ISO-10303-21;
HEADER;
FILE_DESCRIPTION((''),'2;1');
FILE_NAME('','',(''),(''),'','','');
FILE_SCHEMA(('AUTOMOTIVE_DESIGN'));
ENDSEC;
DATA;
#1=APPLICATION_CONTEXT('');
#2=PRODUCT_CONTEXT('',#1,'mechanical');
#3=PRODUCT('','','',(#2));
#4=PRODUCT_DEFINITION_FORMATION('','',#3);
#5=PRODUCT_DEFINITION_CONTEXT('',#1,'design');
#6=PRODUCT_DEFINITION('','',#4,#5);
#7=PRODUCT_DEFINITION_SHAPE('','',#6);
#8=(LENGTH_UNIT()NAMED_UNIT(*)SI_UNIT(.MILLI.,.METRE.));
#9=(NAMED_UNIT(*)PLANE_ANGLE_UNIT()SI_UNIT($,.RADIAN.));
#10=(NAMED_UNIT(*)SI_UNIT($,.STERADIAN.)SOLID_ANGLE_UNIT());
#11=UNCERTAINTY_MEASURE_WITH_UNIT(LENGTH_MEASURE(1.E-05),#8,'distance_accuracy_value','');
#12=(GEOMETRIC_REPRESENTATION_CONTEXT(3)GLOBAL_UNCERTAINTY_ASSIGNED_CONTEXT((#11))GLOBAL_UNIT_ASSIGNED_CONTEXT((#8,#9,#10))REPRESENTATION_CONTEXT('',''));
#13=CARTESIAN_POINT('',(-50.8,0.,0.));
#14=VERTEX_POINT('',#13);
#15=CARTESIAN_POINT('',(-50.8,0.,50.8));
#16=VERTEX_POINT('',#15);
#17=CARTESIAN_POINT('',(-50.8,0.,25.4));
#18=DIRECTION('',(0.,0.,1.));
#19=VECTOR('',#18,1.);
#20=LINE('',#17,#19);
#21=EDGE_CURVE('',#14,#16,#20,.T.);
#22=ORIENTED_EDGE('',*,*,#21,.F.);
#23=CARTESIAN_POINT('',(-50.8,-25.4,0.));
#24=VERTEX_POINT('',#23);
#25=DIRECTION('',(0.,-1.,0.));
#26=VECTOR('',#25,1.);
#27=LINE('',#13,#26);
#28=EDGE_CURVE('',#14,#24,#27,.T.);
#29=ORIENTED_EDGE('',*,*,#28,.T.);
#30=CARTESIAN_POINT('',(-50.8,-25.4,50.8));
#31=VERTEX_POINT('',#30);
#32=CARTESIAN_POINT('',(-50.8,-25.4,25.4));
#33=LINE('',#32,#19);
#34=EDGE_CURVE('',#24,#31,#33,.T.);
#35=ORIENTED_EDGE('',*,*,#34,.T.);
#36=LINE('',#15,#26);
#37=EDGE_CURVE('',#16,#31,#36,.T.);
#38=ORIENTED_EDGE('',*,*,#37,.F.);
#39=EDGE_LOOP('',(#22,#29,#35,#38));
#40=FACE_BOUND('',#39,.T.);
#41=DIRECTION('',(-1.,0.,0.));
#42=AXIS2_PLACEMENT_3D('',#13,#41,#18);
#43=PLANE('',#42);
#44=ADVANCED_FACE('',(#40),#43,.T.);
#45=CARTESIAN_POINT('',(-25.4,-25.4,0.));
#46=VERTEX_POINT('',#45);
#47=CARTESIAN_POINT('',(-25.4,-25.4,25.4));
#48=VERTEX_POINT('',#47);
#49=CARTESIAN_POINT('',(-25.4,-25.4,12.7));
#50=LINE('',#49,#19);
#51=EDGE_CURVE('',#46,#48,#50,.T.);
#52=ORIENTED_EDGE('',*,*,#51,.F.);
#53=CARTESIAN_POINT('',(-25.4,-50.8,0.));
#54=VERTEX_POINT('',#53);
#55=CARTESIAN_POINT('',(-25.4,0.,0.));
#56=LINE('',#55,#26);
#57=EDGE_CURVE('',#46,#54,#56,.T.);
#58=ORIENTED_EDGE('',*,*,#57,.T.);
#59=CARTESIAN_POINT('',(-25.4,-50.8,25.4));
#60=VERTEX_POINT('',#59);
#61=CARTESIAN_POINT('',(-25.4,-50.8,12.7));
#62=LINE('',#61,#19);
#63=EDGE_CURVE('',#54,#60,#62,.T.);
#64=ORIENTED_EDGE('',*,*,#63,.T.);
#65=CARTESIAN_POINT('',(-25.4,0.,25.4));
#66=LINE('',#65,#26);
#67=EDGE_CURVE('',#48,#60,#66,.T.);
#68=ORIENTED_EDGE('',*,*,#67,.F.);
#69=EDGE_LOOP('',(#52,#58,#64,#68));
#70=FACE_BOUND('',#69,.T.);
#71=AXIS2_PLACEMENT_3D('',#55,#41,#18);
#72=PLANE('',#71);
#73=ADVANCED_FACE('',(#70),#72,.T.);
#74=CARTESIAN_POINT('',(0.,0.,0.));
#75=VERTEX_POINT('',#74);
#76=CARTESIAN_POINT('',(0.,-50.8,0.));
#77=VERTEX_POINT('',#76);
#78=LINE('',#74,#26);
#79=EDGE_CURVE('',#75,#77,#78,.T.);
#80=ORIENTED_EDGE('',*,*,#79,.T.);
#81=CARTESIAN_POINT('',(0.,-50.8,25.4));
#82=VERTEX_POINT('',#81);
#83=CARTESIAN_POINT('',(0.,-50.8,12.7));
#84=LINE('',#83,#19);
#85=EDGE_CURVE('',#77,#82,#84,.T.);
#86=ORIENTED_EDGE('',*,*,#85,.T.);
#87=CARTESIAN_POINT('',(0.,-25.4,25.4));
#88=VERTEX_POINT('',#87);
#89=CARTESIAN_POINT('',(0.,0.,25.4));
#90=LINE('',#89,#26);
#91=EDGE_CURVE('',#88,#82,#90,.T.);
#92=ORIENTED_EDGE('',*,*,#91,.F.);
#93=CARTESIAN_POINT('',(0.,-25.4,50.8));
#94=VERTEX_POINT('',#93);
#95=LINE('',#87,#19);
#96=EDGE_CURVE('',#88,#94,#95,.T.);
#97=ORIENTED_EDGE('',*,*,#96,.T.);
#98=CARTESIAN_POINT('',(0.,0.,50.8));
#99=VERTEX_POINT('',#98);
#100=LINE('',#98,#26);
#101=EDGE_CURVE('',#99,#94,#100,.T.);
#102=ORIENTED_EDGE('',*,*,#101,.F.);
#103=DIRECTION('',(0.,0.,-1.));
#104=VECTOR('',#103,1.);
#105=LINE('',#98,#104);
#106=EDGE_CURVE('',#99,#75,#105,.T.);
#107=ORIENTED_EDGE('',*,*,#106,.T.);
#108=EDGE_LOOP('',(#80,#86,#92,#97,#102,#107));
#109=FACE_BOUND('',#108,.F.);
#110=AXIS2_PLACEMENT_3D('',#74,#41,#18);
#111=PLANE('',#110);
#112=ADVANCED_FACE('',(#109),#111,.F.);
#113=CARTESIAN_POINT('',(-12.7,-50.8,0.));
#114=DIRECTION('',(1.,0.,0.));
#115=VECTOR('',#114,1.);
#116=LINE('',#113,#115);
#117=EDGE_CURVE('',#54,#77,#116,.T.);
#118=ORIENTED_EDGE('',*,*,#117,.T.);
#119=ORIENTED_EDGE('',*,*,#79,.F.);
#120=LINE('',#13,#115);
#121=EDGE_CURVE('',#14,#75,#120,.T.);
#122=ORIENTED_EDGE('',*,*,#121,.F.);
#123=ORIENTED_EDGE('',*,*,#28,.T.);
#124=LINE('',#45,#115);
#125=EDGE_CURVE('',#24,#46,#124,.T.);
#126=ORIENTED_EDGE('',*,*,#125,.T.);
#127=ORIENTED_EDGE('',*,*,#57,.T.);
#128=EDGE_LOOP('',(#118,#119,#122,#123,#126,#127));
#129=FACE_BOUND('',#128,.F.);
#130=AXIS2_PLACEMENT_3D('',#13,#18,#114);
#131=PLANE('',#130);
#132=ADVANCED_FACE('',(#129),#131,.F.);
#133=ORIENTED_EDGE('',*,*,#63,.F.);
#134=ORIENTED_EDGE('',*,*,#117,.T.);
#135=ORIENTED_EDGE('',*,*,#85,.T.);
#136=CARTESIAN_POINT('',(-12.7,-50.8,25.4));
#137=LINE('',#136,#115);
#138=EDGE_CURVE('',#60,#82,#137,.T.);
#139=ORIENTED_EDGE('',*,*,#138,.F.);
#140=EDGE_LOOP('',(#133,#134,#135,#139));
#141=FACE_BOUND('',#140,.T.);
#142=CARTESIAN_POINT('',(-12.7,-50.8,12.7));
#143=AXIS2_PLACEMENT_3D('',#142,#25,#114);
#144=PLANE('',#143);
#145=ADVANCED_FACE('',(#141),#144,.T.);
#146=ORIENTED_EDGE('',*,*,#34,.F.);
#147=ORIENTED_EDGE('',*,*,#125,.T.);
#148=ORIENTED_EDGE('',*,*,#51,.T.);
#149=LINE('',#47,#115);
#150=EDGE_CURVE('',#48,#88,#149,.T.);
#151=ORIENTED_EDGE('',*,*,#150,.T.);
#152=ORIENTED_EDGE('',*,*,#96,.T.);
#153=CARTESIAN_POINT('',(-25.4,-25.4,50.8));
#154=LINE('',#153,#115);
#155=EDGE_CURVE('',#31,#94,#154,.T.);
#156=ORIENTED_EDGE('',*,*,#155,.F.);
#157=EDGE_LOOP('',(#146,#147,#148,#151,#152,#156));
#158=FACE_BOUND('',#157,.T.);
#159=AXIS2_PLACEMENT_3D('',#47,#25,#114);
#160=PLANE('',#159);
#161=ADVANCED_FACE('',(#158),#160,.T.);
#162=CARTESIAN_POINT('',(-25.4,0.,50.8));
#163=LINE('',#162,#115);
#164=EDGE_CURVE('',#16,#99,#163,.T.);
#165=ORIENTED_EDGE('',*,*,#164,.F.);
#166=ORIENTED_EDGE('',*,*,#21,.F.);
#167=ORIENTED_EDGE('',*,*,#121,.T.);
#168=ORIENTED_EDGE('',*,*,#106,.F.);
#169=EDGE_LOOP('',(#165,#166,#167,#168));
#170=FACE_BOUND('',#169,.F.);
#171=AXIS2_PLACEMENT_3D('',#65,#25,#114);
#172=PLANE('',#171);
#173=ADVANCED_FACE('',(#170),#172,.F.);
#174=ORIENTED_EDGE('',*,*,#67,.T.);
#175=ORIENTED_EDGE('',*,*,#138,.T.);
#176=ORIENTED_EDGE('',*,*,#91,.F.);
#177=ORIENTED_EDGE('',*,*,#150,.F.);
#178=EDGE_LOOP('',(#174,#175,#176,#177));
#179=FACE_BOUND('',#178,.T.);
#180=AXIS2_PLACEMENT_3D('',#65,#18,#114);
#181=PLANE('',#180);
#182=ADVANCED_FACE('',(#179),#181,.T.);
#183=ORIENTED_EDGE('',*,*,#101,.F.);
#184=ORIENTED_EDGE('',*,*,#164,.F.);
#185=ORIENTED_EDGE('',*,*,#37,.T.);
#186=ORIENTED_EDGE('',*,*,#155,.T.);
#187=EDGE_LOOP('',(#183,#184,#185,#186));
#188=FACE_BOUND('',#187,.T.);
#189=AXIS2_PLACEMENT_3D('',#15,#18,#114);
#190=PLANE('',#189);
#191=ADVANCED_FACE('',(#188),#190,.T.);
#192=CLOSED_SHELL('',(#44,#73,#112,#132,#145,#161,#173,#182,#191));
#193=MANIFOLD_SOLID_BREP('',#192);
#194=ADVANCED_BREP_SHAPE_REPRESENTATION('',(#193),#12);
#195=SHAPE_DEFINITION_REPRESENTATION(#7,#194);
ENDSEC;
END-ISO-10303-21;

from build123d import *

# Parameters (mm, degrees)
F1_W     = 25.4
F1_H     = 25.4
F2_DEPTH = 50.8
F0_W     = 50.8
F0_H     = 50.8
F3_DEPTH = 25.4
F4_DEPTH = 25.4


with BuildPart() as f2:
    # F1 (on face) → F2 (new body)
    with BuildSketch(Plane.XZ):
        with Locations((-12.7, 12.7)):
            Rectangle(F1_W, F1_H)
    extrude(amount=F2_DEPTH)

    # F0 (on Front) → F3 (join)
    with BuildSketch(Plane.XZ):
        with Locations((-25.4, 25.4)):
            Rectangle(F0_W, F0_H)
    extrude(amount=F3_DEPTH)

    # F0 (on Front) → F4 (join)
    with BuildSketch(Plane.XZ):
        with Locations((-25.4, 25.4)):
            Rectangle(F0_W, F0_H)
    extrude(amount=F4_DEPTH)


solid = f2.part
